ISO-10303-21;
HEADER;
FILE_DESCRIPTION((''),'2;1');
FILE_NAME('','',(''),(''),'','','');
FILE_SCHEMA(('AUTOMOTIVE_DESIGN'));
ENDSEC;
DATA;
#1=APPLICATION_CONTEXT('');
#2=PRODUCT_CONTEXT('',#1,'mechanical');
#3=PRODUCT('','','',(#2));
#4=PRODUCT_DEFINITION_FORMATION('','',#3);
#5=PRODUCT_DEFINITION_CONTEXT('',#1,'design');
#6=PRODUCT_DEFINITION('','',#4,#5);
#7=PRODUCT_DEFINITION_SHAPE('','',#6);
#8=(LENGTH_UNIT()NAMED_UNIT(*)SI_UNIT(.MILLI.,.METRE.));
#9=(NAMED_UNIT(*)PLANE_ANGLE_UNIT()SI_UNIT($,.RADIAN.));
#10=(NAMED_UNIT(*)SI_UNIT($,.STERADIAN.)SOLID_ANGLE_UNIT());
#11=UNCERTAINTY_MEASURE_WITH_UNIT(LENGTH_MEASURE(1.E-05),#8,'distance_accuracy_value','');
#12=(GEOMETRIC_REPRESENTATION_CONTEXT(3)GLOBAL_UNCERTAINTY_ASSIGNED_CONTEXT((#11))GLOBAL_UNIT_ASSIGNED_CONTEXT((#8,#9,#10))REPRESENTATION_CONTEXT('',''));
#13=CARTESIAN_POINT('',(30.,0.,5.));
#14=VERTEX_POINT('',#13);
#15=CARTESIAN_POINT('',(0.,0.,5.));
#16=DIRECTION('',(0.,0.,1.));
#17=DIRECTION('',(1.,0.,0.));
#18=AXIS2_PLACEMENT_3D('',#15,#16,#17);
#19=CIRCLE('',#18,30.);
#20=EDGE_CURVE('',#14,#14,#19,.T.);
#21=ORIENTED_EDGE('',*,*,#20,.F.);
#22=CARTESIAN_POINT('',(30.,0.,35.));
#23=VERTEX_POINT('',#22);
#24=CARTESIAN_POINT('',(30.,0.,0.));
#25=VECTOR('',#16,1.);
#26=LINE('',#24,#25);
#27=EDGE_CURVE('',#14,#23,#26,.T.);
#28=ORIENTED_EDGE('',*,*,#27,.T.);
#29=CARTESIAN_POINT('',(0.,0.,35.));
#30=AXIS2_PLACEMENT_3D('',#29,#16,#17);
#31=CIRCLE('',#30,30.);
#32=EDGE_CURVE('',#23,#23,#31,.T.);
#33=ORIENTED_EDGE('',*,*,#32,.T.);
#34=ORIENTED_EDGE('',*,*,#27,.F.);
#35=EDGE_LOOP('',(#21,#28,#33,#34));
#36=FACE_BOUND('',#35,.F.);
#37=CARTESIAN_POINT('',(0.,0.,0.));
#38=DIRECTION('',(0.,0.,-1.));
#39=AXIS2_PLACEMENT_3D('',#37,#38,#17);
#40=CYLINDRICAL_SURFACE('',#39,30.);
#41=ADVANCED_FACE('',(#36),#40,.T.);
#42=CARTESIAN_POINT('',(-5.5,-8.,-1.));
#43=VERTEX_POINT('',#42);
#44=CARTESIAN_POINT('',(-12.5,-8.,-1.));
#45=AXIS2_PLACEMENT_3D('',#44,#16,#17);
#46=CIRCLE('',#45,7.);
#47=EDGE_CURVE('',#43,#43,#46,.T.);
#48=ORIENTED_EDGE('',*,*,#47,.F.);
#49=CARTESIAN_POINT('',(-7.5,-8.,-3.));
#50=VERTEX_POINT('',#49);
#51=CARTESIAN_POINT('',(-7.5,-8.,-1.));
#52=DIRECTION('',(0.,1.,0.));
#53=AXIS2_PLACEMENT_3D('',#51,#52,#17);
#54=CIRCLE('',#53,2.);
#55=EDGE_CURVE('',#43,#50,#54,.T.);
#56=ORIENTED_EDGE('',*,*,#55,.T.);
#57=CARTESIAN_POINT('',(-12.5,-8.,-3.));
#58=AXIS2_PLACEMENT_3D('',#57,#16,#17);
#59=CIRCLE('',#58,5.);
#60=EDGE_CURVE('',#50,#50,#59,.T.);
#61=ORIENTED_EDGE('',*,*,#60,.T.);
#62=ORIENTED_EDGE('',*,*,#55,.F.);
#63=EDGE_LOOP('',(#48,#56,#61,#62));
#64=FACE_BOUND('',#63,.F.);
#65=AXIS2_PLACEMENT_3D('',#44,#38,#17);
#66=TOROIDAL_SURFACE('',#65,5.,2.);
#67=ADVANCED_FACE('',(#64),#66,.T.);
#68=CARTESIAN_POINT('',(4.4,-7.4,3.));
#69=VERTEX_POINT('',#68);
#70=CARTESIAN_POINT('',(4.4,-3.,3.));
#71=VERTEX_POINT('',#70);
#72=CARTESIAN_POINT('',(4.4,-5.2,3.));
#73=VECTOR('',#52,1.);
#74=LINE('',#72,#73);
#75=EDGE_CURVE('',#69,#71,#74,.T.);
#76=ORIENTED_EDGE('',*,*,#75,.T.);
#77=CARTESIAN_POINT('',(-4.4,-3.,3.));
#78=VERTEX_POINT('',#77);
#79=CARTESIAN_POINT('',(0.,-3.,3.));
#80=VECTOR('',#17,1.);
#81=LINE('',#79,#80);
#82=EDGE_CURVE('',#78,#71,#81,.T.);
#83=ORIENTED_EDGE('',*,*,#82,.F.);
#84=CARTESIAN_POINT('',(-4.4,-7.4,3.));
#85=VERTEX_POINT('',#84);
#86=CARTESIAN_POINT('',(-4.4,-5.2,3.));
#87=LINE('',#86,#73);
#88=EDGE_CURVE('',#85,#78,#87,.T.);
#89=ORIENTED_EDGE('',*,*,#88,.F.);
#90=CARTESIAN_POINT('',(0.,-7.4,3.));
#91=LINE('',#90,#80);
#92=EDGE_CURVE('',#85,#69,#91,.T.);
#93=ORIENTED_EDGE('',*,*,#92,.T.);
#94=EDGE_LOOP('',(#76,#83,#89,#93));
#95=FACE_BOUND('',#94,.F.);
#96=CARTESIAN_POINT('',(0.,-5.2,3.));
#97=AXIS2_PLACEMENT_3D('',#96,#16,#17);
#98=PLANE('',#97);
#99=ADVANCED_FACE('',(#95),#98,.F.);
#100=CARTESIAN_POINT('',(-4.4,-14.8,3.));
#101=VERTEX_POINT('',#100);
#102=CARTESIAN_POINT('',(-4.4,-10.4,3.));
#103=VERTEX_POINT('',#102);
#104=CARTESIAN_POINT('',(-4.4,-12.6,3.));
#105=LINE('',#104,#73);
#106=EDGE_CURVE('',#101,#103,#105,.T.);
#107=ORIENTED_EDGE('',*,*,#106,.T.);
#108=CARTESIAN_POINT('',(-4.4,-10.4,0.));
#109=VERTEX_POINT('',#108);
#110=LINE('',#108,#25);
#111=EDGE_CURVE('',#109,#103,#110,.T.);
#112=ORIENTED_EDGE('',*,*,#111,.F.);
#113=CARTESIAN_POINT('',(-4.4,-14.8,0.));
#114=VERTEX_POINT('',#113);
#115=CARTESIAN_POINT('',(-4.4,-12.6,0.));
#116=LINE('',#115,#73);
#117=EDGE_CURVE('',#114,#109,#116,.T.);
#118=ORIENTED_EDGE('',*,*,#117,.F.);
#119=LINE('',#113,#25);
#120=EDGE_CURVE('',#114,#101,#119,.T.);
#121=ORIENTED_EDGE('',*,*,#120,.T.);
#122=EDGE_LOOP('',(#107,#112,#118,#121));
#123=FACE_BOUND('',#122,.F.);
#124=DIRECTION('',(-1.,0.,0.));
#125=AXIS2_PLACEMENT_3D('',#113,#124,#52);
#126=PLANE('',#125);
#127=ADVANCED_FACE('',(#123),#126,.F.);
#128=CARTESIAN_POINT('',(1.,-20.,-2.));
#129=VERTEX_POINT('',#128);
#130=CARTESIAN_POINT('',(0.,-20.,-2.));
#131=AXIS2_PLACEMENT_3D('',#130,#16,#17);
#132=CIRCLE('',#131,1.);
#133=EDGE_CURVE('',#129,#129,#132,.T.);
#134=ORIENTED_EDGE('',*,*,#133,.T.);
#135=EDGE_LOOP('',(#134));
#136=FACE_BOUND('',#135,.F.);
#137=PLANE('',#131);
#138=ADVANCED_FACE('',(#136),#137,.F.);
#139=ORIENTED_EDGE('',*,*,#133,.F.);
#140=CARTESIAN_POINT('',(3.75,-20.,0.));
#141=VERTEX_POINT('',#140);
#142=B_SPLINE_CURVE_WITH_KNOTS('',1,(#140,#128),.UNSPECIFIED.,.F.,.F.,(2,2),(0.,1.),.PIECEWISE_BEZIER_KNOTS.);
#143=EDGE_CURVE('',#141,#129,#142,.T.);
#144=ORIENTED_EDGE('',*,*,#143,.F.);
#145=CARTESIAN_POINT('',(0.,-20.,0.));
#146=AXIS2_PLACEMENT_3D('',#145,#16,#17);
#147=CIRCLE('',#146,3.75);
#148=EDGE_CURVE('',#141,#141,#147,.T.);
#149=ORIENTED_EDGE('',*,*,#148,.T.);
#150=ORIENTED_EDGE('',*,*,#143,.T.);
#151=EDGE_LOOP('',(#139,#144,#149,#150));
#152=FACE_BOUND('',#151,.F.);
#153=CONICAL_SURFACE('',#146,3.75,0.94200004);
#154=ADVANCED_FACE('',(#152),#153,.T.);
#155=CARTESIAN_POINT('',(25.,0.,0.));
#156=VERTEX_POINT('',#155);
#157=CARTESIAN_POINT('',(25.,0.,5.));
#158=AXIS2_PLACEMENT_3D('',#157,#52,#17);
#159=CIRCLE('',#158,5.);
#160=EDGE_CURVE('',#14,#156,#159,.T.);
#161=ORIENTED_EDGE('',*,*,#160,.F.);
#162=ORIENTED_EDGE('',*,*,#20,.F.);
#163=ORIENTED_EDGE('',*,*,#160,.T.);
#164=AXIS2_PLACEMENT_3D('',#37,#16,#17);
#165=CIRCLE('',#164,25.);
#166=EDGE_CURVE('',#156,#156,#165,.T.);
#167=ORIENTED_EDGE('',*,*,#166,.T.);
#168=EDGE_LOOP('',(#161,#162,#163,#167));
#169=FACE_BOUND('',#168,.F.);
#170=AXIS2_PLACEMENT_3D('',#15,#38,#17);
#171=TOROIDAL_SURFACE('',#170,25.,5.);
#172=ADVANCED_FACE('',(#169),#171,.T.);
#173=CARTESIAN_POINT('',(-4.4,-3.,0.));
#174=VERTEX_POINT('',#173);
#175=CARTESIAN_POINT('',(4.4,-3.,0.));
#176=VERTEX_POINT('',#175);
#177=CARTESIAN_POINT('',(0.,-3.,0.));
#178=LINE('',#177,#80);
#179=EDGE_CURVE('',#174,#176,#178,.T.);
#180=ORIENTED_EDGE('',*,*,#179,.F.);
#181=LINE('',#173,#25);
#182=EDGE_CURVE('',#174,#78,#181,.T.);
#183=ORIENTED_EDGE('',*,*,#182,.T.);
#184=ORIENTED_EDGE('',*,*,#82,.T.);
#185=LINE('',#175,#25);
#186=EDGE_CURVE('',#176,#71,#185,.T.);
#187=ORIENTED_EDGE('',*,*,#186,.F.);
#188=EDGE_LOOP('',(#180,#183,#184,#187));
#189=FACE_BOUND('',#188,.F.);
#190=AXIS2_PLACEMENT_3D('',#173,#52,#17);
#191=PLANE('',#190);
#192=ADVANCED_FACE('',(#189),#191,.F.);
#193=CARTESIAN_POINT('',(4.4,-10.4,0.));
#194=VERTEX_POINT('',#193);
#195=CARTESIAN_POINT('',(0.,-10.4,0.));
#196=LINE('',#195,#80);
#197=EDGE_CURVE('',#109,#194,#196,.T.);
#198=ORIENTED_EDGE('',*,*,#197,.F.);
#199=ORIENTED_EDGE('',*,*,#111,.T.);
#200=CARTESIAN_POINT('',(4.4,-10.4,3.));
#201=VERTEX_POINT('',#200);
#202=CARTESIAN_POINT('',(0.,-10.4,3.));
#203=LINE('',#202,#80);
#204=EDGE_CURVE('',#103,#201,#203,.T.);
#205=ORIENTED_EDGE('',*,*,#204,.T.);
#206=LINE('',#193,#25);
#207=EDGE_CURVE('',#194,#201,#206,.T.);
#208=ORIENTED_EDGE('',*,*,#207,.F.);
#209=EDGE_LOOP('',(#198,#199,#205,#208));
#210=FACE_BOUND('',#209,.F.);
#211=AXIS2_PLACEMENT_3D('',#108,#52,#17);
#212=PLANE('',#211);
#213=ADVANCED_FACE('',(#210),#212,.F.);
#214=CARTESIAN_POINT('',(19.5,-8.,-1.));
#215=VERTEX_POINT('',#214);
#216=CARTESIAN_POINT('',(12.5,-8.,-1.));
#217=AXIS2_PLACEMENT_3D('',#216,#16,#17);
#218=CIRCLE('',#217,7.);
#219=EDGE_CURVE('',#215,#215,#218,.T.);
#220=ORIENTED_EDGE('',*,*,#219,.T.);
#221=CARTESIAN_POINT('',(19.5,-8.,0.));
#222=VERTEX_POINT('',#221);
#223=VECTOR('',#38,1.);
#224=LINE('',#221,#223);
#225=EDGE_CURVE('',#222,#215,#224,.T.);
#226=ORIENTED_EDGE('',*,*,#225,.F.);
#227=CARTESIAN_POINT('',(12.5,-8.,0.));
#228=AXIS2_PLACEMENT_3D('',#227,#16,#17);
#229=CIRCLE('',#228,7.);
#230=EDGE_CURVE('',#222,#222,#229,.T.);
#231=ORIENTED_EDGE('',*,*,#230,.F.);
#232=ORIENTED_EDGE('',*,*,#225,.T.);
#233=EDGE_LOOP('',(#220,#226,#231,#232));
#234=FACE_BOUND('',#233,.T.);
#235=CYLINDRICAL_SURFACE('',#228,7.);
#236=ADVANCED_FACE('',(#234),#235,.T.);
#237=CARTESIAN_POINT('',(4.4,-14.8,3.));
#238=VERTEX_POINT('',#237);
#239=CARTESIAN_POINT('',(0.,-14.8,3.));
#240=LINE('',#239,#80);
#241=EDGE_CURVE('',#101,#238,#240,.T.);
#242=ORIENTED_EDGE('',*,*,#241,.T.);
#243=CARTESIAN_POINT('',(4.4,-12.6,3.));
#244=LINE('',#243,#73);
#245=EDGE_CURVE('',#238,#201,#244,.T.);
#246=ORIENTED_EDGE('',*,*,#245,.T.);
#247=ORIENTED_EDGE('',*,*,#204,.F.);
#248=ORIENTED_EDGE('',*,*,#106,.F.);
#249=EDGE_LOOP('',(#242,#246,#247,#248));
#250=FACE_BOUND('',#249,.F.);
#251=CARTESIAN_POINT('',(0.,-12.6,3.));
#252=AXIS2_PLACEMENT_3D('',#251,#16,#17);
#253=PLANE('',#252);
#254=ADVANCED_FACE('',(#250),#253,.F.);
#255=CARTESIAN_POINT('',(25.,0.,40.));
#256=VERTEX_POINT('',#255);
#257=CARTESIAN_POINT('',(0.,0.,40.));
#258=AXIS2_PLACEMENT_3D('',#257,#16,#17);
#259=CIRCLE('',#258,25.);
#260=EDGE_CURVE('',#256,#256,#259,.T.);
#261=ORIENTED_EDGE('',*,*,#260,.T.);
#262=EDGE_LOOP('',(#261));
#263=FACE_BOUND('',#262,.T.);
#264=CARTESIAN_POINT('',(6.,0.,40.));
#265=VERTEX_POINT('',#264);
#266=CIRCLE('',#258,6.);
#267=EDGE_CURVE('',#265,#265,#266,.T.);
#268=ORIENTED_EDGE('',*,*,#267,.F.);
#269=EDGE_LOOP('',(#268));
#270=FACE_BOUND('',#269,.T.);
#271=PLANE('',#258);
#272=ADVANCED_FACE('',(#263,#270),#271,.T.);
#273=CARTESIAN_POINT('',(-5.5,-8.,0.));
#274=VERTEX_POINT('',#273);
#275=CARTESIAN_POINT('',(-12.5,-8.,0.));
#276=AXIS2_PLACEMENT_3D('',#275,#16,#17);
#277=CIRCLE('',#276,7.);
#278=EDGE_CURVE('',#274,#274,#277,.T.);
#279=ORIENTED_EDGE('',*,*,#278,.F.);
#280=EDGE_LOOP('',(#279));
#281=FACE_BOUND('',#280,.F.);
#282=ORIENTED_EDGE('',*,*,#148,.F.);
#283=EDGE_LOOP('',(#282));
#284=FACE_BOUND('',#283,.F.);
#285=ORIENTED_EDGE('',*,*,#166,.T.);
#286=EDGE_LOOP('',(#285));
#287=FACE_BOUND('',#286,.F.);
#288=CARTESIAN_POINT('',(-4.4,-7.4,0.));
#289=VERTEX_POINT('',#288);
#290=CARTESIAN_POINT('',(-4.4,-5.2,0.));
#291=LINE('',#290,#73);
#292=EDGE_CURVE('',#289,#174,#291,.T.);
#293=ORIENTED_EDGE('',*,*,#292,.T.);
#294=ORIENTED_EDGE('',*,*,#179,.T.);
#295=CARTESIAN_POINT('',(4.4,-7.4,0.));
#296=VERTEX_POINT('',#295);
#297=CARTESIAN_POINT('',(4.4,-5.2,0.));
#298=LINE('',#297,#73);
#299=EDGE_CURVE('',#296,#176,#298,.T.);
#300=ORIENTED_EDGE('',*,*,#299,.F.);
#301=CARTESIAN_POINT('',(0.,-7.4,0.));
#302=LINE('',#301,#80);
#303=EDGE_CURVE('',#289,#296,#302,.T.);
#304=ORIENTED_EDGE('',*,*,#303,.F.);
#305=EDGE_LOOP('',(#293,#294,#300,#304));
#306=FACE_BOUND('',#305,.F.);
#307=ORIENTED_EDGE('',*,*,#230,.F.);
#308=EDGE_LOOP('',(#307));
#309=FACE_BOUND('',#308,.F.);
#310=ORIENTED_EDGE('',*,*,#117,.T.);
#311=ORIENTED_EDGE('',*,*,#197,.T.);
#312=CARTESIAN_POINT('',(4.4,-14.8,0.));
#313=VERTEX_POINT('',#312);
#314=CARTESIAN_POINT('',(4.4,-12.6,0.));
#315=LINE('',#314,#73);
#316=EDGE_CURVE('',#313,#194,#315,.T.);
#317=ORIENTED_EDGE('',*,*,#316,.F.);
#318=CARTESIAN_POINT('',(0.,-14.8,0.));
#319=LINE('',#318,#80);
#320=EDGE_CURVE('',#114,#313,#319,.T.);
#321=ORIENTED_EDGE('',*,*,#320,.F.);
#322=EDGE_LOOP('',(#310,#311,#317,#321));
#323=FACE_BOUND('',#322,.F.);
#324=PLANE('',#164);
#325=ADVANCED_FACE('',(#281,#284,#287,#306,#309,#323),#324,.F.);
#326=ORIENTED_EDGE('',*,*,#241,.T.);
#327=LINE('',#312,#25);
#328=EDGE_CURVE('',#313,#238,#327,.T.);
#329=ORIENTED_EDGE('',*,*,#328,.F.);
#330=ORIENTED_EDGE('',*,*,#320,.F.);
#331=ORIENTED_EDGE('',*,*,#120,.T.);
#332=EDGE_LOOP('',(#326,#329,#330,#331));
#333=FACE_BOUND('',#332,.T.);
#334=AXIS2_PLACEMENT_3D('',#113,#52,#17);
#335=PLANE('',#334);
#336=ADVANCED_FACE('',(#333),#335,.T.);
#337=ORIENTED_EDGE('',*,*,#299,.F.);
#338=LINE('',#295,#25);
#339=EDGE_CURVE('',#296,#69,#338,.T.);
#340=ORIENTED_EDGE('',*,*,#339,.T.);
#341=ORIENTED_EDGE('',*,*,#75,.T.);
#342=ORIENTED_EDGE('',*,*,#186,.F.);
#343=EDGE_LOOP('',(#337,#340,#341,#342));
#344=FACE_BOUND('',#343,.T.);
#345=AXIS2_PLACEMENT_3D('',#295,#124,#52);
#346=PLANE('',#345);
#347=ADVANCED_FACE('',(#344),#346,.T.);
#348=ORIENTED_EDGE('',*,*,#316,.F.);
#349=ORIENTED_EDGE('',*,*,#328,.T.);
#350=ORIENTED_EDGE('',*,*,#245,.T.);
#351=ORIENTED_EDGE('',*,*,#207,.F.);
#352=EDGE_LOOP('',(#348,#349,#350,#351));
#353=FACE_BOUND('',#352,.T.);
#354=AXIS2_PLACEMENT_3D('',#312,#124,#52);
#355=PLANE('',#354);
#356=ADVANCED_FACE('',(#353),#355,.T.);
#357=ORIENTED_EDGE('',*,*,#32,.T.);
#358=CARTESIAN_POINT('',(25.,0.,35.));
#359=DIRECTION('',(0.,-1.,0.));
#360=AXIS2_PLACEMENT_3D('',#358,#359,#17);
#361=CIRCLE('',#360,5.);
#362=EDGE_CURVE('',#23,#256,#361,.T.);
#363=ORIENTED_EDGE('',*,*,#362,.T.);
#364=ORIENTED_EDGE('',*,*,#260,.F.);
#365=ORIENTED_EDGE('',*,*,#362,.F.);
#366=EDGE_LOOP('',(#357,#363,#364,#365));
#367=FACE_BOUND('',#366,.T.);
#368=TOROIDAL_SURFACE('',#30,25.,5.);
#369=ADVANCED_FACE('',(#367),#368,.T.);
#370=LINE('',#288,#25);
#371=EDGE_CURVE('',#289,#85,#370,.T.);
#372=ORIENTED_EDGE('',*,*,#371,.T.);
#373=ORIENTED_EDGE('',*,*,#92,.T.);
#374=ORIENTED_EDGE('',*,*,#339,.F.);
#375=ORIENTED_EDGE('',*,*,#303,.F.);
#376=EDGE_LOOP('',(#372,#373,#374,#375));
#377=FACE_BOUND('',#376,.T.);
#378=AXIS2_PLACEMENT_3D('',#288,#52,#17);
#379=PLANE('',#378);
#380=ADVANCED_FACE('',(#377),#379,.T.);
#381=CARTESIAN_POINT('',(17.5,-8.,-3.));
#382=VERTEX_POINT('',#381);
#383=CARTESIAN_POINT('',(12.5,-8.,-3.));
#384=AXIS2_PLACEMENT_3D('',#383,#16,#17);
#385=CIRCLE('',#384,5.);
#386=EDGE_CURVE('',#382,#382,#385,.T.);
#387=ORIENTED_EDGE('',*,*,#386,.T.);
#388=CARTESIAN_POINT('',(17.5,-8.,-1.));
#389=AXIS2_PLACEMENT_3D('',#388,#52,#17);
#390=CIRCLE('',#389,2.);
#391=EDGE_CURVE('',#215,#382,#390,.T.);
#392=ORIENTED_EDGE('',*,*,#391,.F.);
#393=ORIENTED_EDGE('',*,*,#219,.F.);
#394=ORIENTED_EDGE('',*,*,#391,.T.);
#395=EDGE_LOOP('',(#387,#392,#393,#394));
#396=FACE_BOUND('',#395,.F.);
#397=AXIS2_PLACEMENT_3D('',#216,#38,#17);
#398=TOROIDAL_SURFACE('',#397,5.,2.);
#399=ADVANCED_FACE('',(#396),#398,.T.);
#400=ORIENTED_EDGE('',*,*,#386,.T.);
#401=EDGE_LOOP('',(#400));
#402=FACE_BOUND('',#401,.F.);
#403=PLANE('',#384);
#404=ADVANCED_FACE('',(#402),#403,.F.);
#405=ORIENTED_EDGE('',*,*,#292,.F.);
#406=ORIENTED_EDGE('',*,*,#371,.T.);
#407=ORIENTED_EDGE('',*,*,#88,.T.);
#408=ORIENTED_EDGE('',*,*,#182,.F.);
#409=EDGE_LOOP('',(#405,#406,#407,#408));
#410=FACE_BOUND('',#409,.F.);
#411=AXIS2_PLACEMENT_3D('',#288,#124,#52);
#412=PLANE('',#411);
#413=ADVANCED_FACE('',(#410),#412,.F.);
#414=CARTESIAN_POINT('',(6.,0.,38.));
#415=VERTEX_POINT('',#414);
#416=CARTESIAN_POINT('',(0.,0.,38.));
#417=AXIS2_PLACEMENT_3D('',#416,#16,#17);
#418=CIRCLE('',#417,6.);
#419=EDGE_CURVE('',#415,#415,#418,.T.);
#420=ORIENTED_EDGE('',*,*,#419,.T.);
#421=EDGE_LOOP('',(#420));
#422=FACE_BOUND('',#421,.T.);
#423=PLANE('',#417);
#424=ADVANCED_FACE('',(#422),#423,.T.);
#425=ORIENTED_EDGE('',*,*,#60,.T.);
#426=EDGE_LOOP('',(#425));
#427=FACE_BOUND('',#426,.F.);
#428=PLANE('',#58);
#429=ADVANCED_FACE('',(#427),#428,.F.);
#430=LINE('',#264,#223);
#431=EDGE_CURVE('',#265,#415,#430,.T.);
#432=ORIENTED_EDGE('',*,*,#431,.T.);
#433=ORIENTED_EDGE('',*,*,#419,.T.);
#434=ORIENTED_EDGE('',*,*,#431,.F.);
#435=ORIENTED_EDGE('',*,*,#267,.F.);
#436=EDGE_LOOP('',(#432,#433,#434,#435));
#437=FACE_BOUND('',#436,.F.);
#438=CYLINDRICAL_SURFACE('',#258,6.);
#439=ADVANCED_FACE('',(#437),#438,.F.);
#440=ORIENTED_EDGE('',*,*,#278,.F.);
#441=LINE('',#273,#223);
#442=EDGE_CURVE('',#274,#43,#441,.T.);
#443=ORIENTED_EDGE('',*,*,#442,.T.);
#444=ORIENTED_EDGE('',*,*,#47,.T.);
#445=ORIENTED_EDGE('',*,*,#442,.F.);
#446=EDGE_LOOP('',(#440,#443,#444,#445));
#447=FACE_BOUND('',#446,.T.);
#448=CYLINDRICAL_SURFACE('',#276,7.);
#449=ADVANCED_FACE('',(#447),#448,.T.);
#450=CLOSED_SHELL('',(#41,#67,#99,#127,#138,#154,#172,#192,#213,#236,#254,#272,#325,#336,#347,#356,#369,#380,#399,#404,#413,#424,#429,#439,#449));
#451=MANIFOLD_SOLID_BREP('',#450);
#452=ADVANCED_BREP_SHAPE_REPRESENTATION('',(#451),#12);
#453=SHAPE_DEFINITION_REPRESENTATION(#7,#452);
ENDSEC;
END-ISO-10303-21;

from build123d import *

# Parameters (mm, degrees)
SKETCH005_R      = 6
EXTRUDE003_DEPTH = 2
SKETCH001_R      = 7
EXTRUDE001_DEPTH = 3
SKETCH003_R      = 3.75
SKETCH004_R      = 1
SKETCH002_W      = 8.8
SKETCH002_H      = 4.4
EXTRUDE002_DEPTH = 3
SKETCH_R         = 30
EXTRUDE_DEPTH    = 40
FILLET_R         = 5
FILLET001_R      = 5
FILLET002_R      = 2


with BuildPart() as extrude003:
    # Sketch005 → Extrude003 (new body)
    with BuildSketch(Plane.XY.offset(40)):
        Circle(SKETCH005_R)
    extrude(amount=-EXTRUDE003_DEPTH)


with BuildPart() as bigbuttons:
    # Sketch001 → Extrude001 (new body)
    with BuildSketch(Plane.XY):
        with Locations((12.5, -8)):
            Circle(SKETCH001_R)
        with Locations((-12.5, -8)):
            Circle(SKETCH001_R)
    extrude(amount=-EXTRUDE001_DEPTH)


with BuildPart() as loft_body:
    # Sketch003 → Loft section 0
    with BuildSketch(Plane.XY):
        with Locations((0, -20)):
            Circle(SKETCH003_R)
    # Sketch004 → Loft section 1
    with BuildSketch(Plane.XY.offset(-2)):
        with Locations((0, -20)):
            Circle(SKETCH004_R)
    loft()


with BuildPart() as port_cuts001:
    # Sketch002 → Extrude002 (new body)
    with BuildSketch(Plane.XY):
        with Locations((0, -5.2)):
            Rectangle(SKETCH002_W, SKETCH002_H)
        with Locations((0, -12.6)):
            Rectangle(SKETCH002_W, SKETCH002_H)
    extrude(amount=EXTRUDE002_DEPTH)


with BuildPart() as cut001:
    # Sketch → Extrude (new body)
    with BuildSketch(Plane.XY):
        Circle(SKETCH_R)
    extrude(amount=EXTRUDE_DEPTH)

    # Cut: cut Port Cuts001
    add(port_cuts001.part, mode=Mode.SUBTRACT)

    # Fusion: union Loft body
    add(loft_body.part)

    # Fusion001: union BigButtons
    add(bigbuttons.part)

    # Fillet
    fillet_edges = [cut001.edges().sort_by_distance(p)[0] for p in [
        (-30, 0, 40),
    ]]
    fillet(fillet_edges, radius=FILLET_R)

    # Fillet001
    fillet001_edges = [cut001.edges().sort_by_distance(p)[0] for p in [
        (-30, 0, 0),
    ]]
    fillet(fillet001_edges, radius=FILLET001_R)

    # Fillet002
    fillet002_edges = [cut001.edges().sort_by_distance(p)[0] for p in [
        (-19.5, -8, -3),
        (5.5, -8, -3),
    ]]
    fillet(fillet002_edges, radius=FILLET002_R)

    # Cut001: cut Extrude003
    add(extrude003.part, mode=Mode.SUBTRACT)


solid = cut001.part
